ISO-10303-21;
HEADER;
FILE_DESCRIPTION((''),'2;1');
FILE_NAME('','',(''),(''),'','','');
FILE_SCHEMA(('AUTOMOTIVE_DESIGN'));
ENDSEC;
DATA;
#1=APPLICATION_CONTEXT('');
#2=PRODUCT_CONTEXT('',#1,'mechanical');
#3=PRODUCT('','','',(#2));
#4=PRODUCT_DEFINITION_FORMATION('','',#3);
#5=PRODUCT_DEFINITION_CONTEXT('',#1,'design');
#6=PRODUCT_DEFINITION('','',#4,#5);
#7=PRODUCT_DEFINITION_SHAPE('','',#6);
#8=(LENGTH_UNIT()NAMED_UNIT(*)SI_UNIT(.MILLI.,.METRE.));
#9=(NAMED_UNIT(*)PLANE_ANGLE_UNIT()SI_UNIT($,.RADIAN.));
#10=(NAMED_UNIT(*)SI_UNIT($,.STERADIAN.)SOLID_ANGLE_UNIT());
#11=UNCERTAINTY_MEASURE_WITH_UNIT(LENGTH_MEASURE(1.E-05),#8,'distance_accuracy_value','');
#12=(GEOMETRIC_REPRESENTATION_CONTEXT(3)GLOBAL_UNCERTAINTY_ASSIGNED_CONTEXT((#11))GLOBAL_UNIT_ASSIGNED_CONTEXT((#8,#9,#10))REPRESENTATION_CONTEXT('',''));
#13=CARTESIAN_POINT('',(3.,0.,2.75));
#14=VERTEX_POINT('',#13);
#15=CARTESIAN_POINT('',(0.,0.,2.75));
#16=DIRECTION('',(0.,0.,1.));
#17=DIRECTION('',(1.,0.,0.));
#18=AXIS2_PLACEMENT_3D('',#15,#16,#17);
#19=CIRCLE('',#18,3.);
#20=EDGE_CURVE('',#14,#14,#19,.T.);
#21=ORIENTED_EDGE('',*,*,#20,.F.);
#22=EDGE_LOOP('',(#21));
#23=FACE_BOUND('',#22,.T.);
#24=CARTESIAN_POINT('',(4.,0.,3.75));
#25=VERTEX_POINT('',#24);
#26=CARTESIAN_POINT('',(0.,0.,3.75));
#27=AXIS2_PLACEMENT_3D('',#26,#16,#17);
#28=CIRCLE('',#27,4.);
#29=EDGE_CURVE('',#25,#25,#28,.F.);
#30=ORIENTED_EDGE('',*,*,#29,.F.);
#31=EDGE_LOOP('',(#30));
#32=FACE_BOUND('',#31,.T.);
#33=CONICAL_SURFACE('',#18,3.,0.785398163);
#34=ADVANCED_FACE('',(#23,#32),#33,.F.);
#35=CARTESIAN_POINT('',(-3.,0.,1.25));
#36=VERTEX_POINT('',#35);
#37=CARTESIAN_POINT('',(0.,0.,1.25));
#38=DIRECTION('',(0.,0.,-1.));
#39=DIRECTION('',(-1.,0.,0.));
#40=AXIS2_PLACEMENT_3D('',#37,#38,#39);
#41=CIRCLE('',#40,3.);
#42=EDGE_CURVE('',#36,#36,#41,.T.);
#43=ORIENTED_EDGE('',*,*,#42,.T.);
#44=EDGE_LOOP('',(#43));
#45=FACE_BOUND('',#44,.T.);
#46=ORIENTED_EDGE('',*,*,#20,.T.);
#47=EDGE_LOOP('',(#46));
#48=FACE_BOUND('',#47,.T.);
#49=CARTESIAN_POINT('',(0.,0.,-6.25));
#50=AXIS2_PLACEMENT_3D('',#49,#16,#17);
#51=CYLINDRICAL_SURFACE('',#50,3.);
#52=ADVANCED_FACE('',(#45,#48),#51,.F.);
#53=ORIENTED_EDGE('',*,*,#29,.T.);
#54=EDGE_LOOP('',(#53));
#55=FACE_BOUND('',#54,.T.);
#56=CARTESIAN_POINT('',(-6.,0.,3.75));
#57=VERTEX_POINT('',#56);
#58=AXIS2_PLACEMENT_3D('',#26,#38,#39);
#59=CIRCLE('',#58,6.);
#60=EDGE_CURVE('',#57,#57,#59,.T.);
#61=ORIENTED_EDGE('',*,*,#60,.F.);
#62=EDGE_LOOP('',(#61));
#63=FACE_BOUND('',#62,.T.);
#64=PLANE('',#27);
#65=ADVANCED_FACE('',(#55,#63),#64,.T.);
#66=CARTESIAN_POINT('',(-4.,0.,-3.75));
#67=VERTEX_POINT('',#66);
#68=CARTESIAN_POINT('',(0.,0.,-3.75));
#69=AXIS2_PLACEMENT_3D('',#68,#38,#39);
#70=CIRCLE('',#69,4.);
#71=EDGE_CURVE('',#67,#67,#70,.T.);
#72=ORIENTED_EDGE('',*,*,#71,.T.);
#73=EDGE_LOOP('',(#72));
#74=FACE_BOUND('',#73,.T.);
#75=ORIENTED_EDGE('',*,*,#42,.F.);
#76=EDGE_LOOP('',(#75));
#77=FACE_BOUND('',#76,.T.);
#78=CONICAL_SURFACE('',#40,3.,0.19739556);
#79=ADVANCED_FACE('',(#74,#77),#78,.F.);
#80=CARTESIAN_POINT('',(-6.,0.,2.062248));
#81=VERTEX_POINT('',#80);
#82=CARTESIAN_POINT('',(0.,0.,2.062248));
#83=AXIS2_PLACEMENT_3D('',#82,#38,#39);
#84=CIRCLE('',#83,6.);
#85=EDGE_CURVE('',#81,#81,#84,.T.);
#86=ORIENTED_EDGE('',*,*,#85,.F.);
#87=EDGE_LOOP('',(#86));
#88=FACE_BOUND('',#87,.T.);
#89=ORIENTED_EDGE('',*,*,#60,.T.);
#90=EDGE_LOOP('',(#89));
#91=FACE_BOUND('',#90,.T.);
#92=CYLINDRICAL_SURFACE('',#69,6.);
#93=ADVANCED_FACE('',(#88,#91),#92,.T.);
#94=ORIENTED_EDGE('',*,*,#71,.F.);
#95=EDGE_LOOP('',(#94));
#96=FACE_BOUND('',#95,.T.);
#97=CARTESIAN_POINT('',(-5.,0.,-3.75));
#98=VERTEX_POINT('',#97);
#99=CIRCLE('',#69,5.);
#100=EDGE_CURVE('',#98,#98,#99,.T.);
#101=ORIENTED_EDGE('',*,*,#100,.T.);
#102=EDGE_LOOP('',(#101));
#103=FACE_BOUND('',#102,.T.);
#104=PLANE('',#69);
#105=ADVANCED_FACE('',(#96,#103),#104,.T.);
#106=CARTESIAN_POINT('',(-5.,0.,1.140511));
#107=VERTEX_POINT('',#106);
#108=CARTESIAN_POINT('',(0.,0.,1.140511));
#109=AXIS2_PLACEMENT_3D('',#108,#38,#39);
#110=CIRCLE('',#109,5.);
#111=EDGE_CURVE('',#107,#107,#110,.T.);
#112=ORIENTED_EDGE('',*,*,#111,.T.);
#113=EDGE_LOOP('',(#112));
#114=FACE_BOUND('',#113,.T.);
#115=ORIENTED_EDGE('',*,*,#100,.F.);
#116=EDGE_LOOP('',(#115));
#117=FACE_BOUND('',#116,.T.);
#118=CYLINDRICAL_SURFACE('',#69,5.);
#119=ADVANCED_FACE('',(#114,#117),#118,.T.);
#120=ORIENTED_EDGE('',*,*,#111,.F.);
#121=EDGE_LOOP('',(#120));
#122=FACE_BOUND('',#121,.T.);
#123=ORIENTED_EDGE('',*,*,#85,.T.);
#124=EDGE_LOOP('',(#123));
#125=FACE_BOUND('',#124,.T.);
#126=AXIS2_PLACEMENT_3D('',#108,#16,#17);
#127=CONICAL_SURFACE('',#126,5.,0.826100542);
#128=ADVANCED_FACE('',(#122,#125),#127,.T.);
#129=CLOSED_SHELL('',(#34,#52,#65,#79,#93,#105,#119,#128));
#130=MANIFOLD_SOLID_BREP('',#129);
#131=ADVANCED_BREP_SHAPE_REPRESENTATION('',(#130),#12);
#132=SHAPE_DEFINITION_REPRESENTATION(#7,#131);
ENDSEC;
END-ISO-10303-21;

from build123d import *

# Parameters (mm, degrees)
CROQUIS2_R            = 3
CORTAR_EXTRUIR1_DEPTH = 10
CHAFL_N1_SIZE         = 1


with BuildPart() as part:
    # Croquis1 → Revolución1 (revolve)
    with BuildSketch(Plane(origin=(0, 0, 0), x_dir=(1, 0, 0), z_dir=(0, 1, 0))):
        Polygon((-3, -1.25), (-4, 3.75), (-5, 3.75), (-5, -1.140510949), (-6, -2.062248439), (-6, -3.75), (0, -3.75), (0, -1.25), align=None)
    revolve(axis=Axis((0, 0, -3.75), (0, 0, 1)))

    # Croquis2 → Cortar-Extruir1 (cut)
    with BuildSketch(Plane.XY.offset(3.75)):
        Circle(CROQUIS2_R)
    extrude(amount=-CORTAR_EXTRUIR1_DEPTH, mode=Mode.SUBTRACT)

    # Chaflán1
    chafl_n1_edges = [part.edges().sort_by_distance(p)[0] for p in [
        (-3, 0, 3.75),
    ]]
    chamfer(chafl_n1_edges, length=CHAFL_N1_SIZE)


solid = part.part
